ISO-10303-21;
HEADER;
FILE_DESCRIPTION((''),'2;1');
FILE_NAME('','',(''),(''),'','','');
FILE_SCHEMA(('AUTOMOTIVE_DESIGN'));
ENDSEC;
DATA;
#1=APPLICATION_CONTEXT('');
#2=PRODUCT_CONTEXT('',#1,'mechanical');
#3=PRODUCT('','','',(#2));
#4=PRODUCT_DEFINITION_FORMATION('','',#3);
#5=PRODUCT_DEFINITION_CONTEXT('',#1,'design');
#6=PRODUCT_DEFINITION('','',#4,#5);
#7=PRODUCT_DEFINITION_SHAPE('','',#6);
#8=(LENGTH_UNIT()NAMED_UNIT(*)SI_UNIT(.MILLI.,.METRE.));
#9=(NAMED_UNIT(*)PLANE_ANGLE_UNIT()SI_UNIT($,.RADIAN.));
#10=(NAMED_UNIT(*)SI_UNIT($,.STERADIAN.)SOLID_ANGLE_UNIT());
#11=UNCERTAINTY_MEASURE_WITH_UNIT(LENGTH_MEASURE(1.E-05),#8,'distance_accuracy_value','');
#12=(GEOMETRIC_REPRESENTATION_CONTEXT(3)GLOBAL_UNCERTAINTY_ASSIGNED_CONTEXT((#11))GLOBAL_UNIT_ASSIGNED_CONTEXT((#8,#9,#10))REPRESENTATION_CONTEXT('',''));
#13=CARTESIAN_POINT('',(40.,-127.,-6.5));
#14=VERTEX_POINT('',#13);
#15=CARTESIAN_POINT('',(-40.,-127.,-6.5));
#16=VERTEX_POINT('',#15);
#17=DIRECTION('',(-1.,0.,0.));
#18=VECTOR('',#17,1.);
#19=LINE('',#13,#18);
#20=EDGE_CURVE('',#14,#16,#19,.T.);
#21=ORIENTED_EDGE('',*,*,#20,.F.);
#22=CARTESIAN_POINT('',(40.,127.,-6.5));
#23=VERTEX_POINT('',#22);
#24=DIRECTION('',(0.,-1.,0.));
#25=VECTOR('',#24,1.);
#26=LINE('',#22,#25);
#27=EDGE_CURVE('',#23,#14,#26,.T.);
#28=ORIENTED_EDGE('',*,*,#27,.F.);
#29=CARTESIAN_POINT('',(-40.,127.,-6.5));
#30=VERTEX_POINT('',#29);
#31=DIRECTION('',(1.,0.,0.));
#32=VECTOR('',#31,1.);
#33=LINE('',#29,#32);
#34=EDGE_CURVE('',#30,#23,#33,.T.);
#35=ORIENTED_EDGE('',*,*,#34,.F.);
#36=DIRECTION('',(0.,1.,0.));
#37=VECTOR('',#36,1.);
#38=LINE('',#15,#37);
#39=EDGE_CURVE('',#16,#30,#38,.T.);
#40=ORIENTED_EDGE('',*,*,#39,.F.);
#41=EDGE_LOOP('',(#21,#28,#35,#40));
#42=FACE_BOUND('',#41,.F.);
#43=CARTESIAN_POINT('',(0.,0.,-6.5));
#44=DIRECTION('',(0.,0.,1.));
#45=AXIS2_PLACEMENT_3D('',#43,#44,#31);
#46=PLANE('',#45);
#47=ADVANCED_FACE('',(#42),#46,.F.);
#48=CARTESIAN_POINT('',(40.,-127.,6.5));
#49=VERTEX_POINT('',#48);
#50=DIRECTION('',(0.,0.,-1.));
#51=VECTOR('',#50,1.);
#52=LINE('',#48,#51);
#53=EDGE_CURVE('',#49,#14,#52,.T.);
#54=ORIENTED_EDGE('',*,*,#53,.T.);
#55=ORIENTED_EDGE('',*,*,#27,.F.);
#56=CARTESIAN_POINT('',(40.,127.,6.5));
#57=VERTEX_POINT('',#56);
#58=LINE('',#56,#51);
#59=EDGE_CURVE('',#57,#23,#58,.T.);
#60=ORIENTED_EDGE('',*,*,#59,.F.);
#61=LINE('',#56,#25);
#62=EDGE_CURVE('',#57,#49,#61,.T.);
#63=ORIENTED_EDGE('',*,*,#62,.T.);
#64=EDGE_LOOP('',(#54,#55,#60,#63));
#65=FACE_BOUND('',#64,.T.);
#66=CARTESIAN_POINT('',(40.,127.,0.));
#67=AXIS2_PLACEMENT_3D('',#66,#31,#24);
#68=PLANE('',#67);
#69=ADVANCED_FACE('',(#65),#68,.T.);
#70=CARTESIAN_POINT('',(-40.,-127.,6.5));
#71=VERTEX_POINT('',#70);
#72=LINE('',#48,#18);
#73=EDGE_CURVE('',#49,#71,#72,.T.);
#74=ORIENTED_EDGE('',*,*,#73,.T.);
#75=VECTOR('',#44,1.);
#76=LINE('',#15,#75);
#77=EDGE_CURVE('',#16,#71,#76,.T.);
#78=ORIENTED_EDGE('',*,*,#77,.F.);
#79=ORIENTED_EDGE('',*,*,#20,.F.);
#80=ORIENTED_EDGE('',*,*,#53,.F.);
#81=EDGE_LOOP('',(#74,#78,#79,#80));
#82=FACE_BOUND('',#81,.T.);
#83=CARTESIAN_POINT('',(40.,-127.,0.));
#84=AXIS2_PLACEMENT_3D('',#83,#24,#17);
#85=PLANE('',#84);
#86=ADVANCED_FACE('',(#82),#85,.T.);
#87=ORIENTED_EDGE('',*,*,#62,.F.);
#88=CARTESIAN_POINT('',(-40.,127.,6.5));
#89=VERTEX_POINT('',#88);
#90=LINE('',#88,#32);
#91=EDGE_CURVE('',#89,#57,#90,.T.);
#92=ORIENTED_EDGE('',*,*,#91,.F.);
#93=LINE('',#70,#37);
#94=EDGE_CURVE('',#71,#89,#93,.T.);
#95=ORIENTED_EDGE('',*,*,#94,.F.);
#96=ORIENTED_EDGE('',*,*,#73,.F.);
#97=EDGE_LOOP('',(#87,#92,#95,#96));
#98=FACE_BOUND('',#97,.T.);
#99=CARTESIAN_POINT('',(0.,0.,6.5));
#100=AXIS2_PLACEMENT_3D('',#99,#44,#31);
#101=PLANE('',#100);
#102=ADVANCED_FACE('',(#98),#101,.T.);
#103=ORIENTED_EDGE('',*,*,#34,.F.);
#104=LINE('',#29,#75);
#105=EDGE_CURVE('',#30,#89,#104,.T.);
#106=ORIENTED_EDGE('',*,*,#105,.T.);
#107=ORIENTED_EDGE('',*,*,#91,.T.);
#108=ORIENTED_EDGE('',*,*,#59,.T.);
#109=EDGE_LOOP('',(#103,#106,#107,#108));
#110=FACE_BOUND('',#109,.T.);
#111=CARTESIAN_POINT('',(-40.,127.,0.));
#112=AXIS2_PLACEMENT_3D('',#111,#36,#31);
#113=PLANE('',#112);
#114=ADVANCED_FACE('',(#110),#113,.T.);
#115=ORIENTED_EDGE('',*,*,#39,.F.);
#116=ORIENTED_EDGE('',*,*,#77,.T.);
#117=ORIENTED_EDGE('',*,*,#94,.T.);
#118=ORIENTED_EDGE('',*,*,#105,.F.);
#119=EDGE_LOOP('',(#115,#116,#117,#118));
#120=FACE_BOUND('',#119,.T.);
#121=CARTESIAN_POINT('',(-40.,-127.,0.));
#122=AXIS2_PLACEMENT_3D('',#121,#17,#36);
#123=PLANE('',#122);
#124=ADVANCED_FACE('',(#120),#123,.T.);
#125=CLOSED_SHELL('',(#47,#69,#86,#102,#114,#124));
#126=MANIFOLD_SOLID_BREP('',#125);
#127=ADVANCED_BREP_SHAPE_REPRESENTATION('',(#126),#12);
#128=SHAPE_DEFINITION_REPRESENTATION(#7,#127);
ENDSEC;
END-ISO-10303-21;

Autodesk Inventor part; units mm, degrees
ref_plane "YZ Plane" through (0, 0, 0) normal (1, 0, 0) x (0, 1, 0)
ref_plane "XZ Plane" through (0, 0, 0) normal (0, 1, 0) x (-1, 0, 0)
ref_plane "XY Plane" through (0, 0, 0) normal (0, 0, 1) x (1, 0, 0)
sketch "Sketch2" plane through (0, 0, 0) normal (0, 0, 1) x (1, 0, 0)
  line L0 (-40, 127) -> (40, 127)
  line L1 (40, 127) -> (40, -127)
  line L2 (40, -127) -> (-40, -127)
  line L3 (-40, -127) -> (-40, 127)
  line L4 (-40, 127) -> (40, -127) construction
  line L5 (40, 127) -> (-40, -127) construction
  point P0 (0, 0)
  dimension "d1" = 80
  dimension "d2" = 254
extrude "Extrusion1" add sketch "Sketch2" along normal mid plane 13
properties part number "CNC-Z-axis - backplate"
